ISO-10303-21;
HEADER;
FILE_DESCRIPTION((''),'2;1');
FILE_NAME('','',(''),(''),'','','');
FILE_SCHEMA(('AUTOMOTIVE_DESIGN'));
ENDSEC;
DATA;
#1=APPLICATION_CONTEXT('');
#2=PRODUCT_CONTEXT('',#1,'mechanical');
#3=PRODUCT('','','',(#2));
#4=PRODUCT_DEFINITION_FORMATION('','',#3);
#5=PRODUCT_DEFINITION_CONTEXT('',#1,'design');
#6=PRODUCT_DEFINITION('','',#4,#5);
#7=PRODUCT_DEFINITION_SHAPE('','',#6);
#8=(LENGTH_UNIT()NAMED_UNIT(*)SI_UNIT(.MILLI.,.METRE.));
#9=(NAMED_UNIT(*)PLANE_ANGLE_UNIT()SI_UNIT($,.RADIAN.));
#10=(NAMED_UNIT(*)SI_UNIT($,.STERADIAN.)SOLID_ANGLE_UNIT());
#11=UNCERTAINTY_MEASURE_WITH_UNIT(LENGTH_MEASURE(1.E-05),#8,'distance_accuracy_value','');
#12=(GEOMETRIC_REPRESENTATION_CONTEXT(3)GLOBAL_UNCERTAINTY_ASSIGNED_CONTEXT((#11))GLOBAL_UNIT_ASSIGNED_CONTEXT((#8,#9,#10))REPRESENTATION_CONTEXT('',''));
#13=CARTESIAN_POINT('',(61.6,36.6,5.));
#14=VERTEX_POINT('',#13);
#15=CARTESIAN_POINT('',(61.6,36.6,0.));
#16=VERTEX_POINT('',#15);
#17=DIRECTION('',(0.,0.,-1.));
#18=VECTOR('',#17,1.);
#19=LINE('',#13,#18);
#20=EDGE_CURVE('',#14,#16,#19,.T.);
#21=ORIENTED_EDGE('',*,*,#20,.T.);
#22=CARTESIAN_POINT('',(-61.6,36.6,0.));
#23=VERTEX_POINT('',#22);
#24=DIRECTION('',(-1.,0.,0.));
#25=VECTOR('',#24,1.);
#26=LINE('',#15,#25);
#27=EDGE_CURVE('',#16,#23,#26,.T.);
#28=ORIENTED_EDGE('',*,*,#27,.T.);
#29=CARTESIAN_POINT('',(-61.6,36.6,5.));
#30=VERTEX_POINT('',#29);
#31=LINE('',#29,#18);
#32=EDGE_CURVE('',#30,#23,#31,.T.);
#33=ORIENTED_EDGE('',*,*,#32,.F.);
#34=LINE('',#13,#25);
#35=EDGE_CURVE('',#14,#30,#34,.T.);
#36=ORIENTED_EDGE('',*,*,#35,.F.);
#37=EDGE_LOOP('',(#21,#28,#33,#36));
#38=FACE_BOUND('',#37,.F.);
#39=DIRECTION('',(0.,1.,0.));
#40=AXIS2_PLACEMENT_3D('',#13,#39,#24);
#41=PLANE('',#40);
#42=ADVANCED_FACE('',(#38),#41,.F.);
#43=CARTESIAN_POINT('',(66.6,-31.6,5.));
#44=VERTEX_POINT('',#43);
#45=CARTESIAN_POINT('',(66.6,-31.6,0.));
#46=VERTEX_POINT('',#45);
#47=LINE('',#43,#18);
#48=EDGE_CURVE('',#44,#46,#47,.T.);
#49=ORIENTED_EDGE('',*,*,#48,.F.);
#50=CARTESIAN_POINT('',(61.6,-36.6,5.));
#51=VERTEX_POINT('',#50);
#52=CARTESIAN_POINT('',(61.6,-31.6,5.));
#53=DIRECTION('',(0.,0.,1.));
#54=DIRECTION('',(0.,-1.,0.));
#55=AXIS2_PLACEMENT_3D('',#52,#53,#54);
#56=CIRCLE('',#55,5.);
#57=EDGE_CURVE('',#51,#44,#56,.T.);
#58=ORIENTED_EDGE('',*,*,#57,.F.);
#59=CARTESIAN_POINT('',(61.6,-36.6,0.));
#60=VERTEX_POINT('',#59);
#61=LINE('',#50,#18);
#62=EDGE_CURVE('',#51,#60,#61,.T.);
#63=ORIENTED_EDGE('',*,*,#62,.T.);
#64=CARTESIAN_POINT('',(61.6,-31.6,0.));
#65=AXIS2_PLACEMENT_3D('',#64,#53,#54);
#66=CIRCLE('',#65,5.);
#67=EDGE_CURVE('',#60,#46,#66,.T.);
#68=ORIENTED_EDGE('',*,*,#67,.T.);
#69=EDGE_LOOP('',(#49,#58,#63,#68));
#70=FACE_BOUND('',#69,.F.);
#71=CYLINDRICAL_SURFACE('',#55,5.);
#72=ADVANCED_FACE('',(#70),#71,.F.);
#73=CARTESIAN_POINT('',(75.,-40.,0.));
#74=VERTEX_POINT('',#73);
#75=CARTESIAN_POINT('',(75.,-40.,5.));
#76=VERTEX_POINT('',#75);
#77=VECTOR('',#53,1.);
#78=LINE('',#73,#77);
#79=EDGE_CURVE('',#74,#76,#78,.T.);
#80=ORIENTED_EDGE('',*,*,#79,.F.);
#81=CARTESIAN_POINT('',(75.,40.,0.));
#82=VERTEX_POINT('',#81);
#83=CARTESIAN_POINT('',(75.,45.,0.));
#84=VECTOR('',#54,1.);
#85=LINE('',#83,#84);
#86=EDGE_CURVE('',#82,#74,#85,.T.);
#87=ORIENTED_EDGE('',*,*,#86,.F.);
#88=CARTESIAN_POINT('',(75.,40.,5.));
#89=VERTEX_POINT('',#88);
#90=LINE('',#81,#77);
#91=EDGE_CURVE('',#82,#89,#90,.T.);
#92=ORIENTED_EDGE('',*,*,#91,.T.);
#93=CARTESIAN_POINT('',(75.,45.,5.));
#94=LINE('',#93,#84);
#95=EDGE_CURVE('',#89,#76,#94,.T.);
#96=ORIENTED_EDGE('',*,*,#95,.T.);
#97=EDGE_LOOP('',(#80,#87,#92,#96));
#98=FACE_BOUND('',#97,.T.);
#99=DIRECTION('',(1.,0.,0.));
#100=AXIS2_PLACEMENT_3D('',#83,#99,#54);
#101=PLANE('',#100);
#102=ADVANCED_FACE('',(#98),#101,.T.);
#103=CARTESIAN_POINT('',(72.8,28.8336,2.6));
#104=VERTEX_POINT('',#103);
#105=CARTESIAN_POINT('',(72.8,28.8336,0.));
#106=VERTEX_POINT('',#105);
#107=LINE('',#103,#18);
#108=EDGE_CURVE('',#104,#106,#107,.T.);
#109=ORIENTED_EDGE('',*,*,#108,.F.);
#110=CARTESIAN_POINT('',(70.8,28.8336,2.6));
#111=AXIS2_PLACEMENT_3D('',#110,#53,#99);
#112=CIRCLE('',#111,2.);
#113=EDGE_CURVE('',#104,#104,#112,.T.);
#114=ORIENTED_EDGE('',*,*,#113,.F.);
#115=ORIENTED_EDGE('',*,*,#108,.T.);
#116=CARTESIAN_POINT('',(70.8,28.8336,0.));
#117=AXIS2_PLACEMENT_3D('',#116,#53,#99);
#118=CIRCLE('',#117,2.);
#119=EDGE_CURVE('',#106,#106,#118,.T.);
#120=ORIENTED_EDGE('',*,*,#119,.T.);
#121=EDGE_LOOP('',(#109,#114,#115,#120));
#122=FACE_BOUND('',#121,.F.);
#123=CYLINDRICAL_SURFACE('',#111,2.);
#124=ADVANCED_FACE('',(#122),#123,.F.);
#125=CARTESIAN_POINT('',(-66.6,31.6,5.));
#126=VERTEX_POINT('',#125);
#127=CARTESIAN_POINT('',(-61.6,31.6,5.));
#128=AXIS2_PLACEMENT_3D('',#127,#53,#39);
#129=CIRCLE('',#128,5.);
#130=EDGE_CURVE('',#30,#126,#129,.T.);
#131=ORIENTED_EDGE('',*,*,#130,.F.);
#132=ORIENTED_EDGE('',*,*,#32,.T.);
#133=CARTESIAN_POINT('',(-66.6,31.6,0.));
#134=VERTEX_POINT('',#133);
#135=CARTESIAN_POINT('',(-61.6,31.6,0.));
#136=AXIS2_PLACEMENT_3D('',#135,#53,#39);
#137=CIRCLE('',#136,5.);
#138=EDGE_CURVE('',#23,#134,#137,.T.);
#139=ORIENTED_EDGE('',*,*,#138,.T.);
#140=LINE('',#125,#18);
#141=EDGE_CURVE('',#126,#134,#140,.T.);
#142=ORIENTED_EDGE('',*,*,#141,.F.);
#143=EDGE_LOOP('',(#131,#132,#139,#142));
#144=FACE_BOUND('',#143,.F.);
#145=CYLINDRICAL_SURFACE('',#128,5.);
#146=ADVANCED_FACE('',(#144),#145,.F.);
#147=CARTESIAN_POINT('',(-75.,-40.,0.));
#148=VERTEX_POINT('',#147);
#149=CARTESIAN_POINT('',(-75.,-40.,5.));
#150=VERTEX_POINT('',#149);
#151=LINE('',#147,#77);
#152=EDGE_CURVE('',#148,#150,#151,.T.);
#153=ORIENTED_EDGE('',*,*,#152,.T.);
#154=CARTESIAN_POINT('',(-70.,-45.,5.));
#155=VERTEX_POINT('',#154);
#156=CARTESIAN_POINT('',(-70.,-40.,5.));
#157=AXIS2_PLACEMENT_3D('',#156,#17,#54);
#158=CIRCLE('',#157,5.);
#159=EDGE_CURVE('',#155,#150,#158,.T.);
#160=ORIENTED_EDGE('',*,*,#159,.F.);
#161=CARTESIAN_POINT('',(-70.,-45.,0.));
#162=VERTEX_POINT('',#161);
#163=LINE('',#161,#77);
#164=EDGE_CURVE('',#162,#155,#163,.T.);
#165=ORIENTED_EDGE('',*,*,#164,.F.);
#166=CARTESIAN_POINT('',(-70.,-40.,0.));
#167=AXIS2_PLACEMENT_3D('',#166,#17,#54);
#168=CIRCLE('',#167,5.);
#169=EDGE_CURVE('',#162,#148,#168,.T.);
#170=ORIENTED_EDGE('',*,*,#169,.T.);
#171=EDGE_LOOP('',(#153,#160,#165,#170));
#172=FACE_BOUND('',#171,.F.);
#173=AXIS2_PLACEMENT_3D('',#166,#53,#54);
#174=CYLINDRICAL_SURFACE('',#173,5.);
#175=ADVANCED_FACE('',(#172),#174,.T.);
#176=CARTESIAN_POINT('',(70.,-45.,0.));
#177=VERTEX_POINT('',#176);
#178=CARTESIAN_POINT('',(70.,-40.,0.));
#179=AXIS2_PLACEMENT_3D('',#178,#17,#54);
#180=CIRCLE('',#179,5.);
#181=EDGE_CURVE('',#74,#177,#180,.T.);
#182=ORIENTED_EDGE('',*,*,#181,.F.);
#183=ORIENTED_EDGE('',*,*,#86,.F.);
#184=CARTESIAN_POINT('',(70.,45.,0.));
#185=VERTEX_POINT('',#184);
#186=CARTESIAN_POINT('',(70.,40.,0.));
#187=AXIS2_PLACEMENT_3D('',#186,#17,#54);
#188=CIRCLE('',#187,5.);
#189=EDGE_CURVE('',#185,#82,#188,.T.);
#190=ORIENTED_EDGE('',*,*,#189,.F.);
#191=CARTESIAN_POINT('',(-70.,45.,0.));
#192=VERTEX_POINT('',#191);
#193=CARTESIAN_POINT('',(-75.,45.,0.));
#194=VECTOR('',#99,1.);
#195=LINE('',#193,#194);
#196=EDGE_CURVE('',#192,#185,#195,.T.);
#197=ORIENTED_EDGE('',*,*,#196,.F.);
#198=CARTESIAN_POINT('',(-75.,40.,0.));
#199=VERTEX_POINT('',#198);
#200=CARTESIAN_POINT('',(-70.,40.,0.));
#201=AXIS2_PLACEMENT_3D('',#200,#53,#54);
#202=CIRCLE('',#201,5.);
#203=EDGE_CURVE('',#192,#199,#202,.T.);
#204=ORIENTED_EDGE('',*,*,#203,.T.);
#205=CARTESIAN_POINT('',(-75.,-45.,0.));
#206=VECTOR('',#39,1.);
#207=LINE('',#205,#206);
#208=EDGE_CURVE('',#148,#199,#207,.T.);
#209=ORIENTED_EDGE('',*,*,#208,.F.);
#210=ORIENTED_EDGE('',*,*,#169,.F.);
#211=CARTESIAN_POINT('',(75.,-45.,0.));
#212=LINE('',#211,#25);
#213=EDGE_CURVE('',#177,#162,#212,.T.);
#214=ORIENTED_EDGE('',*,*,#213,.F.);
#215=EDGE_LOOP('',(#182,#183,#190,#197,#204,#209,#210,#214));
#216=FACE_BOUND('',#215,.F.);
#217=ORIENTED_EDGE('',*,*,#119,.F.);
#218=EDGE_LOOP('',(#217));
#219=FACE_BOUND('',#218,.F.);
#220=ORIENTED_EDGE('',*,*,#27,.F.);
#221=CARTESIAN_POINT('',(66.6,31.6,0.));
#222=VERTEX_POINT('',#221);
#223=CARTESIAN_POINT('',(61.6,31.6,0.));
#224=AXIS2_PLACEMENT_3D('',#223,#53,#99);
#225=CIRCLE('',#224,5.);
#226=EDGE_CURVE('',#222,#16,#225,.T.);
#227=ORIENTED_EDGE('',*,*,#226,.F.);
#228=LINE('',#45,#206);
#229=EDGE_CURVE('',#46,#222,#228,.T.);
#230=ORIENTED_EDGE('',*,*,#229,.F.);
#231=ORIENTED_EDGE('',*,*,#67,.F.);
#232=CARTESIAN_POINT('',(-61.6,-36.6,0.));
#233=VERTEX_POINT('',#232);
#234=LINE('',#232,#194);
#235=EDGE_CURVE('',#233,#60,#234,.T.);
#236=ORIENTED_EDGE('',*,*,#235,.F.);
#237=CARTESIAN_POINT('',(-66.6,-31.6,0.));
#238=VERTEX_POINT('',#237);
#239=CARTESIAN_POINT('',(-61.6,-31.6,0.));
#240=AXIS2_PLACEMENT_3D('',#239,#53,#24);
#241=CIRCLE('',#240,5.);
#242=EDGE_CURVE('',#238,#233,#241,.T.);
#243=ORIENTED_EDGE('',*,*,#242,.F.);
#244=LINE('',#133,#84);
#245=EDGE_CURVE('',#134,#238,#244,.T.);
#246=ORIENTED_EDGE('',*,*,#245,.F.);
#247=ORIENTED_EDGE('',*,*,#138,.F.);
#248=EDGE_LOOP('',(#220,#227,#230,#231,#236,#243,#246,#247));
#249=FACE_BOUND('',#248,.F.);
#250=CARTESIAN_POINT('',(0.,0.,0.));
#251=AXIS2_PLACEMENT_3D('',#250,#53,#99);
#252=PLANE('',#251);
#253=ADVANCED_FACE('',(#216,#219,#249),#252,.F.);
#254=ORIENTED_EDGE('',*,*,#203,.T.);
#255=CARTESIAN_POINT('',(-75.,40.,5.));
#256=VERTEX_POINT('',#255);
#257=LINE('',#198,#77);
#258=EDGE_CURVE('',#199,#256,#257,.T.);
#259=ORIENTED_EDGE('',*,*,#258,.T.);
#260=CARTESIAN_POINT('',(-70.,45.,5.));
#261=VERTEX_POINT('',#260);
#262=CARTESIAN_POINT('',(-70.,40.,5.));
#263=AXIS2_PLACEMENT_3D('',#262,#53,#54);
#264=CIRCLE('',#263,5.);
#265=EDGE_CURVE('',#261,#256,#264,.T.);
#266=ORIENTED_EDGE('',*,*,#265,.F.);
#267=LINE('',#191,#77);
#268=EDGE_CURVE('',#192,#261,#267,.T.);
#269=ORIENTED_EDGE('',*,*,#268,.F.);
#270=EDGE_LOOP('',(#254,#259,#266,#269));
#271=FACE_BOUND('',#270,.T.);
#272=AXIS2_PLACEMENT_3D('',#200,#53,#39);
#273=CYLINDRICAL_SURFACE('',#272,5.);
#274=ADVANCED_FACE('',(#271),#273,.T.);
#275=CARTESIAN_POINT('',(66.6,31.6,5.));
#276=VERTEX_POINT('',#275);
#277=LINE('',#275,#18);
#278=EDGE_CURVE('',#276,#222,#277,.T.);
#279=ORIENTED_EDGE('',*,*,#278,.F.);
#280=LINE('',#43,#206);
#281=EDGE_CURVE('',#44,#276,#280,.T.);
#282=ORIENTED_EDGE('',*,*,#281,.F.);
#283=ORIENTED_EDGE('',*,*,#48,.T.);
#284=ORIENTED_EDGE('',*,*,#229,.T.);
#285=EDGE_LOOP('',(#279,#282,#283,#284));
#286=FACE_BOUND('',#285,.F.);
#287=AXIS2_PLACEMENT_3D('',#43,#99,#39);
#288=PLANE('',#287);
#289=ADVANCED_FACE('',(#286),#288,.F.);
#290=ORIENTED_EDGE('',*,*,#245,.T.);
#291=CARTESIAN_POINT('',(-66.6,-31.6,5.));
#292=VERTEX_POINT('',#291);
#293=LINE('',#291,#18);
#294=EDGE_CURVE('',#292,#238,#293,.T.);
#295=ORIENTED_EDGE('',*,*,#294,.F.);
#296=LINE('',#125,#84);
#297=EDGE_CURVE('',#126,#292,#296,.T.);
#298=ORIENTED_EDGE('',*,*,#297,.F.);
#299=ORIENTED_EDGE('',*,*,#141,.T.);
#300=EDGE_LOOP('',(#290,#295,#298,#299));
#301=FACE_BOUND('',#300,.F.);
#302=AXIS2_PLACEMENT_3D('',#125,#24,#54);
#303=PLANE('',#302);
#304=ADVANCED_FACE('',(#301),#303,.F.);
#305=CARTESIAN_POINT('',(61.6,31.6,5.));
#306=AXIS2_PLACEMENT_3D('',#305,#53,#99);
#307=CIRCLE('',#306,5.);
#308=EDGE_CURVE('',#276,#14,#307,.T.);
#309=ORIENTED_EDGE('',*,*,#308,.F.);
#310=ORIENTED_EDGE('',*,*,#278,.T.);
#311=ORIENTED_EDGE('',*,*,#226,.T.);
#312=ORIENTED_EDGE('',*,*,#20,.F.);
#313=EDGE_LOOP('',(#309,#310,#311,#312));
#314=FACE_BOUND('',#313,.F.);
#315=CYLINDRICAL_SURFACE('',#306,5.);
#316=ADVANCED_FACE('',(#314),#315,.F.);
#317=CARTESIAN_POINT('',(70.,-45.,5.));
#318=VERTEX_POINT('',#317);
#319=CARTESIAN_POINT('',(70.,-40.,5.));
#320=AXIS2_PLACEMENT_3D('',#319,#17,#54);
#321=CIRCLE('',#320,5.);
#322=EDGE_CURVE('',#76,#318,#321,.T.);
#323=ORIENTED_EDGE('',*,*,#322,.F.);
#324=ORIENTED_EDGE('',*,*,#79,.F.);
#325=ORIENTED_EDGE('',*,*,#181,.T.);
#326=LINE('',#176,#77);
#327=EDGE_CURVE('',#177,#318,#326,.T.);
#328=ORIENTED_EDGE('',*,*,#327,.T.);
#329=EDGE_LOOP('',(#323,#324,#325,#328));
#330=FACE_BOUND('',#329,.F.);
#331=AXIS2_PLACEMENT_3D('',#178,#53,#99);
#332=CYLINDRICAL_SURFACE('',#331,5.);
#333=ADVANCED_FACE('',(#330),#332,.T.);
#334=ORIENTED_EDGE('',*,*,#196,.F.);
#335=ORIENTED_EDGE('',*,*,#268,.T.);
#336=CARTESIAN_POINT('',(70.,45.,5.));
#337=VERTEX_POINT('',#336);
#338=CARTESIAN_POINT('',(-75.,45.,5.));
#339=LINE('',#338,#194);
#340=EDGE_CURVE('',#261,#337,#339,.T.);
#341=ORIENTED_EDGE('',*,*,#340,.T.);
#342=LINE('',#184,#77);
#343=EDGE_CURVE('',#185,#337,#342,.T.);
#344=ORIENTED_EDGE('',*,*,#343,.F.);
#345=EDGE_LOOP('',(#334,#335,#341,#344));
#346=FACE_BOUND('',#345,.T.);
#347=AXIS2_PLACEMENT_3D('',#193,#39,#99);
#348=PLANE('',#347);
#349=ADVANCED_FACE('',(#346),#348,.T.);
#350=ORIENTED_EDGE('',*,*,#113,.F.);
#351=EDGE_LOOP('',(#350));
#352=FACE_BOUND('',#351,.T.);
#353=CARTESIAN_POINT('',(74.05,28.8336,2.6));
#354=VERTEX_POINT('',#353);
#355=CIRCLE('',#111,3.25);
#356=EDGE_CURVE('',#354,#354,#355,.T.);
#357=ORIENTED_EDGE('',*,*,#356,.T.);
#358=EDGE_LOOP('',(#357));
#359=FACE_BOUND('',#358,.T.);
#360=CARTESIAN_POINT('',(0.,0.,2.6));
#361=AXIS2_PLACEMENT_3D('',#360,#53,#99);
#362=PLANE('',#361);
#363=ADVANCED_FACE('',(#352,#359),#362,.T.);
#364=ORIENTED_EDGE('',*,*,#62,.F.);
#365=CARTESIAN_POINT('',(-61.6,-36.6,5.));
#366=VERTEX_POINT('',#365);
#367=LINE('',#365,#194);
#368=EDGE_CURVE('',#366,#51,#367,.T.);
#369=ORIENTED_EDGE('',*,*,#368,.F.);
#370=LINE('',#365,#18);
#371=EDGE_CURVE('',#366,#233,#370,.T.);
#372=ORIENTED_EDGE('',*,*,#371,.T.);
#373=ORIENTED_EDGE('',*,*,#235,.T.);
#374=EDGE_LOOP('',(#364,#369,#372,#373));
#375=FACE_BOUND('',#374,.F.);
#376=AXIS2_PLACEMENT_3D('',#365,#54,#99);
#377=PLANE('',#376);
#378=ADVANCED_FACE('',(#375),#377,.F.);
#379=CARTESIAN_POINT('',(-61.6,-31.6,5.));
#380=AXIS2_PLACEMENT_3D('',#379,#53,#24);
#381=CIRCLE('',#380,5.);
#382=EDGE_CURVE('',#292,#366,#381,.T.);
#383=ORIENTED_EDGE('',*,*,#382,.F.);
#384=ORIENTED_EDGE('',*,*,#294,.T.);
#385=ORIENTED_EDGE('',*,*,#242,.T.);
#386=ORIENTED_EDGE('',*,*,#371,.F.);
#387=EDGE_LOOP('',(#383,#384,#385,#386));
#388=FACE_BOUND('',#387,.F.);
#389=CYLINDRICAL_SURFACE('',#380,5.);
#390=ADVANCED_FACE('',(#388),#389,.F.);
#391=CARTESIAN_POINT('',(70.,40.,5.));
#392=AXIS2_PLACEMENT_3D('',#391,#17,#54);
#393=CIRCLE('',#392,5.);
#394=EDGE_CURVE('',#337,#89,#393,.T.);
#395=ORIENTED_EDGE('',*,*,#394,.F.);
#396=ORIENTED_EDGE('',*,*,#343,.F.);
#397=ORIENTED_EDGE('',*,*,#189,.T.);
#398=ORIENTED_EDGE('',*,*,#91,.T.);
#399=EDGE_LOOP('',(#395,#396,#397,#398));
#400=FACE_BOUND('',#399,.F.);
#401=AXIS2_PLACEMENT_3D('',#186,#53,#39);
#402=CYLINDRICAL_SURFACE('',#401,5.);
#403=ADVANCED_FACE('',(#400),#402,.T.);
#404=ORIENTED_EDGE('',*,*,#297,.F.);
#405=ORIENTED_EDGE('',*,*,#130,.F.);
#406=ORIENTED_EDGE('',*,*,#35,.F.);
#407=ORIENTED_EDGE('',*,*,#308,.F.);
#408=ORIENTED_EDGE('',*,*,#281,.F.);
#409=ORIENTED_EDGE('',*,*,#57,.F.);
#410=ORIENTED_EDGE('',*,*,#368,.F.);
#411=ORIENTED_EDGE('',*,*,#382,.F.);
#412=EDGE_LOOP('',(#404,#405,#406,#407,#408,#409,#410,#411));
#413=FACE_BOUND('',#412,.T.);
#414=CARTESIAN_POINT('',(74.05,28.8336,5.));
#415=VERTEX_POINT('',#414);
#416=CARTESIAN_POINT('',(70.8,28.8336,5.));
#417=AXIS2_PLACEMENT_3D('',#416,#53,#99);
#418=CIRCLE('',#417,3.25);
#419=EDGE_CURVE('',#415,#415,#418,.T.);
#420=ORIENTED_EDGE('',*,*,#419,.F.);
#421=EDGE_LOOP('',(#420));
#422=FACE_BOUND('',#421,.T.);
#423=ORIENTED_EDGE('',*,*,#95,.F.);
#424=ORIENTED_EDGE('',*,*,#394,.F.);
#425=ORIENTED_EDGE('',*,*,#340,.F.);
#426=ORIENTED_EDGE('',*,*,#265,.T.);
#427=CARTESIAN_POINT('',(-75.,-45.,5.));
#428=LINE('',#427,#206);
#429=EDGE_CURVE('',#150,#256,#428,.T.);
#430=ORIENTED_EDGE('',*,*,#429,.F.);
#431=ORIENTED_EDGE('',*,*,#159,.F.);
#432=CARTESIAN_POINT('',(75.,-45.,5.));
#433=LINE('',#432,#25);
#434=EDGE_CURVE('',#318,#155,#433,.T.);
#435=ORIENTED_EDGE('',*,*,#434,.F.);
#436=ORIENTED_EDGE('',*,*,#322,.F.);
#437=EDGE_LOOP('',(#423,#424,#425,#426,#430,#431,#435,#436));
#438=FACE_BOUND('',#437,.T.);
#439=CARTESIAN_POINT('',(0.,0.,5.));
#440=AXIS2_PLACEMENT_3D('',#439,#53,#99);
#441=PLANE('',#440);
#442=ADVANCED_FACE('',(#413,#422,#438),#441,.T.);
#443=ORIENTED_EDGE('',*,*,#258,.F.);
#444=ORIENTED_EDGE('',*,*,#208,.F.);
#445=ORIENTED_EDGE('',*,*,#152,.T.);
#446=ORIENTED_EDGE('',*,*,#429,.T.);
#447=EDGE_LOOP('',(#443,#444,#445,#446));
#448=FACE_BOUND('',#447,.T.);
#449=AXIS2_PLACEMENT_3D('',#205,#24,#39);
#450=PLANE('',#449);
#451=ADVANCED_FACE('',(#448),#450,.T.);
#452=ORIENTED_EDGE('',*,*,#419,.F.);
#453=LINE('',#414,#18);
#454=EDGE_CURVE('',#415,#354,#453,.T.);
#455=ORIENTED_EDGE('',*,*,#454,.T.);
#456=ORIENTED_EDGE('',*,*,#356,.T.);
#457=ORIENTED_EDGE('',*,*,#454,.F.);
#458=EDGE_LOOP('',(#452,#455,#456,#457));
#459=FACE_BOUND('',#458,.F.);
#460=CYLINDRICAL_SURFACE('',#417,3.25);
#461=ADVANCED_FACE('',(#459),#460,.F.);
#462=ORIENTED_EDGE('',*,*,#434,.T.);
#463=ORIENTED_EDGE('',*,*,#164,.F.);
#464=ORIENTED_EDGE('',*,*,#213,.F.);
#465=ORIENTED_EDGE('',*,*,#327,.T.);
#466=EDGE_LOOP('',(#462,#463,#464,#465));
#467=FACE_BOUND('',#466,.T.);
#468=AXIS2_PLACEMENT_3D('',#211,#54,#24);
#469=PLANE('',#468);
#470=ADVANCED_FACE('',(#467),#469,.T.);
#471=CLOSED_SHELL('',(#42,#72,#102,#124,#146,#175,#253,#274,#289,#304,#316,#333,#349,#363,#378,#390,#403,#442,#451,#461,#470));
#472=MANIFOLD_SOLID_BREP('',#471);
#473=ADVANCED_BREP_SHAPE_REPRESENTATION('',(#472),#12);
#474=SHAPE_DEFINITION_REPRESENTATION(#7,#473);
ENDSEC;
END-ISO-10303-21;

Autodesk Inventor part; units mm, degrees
ref_plane "YZ Plane" through (0, 0, 0) normal (1, 0, 0) x (0, 1, 0)
ref_plane "XZ Plane" through (0, 0, 0) normal (0, 1, 0) x (-1, 0, 0)
ref_plane "XY Plane" through (0, 0, 0) normal (0, 0, 1) x (1, 0, 0)
sketch "Sketch1" plane through (0, 0, 0) normal (0, 0, 1) x (1, 0, 0)
  line L0 (-75, 45) -> (75, 45)
  line L1 (75, 45) -> (75, -45)
  line L2 (75, -45) -> (-75, -45)
  line L3 (-75, -45) -> (-75, 45)
  line L4 (-75, 45) -> (75, -45) construction
  line L5 (75, 45) -> (-75, -45) construction
  point P0 (0, 0)
  dimension "d0" = 150
  dimension "d1" = 90
extrude "Extrusion1" add sketch "Sketch1" along normal blind 5
fillet "Fillet1" radius 5 4 edges at (75, 45, 2.5) (75, -45, 2.5) (-75, -45, 2.5) (-75, 45, 2.5)
sketch "Sketch2" plane through (0, 0, 5) normal (0, 0, 1) x (1, 0, 0)
  line L0 (-61.6, -36.6) -> (61.6, -36.6)
  line L1 (66.6, -31.6) -> (66.6, 31.6)
  line L2 (61.6, 36.6) -> (-61.6, 36.6)
  line L3 (-66.6, 31.6) -> (-66.6, -31.6)
  line L4 (-66.6, -36.6) -> (66.6, 36.6) construction
  line L5 (66.6, -36.6) -> (-66.6, 36.6) construction
  arc A0 (-61.6, 36.6) -> (-66.6, 31.6) centre (-61.6, 31.6) ccw
  arc A1 (-66.6, -31.6) -> (-61.6, -36.6) centre (-61.6, -31.6) ccw
  arc A2 (61.6, -36.6) -> (66.6, -31.6) centre (61.6, -31.6) ccw
  arc A3 (66.6, 31.6) -> (61.6, 36.6) centre (61.6, 31.6) ccw
  point P0 (0, 0)
  dimension "d5" = 133.2
  dimension "d6" = 73.2
  dimension "d9" = 5
extrude "Extrusion2" cut sketch "Sketch2" against normal blind 5
sketch "Sketch3" plane through (0, 0, 5) normal (0, 0, 1) x (1, 0, 0)
  line L0 (66.6, 31.6) -> (66.6, -31.6) projected
  line L1 (66.6, 0) -> (75, 0) construction
  line L2 (75, -40) -> (75, 40) projected
  line L3 (70.8, 0) -> (70.8, 28.8336) construction
  circle A0 centre (70.8, 28.8336) radius 3.25
  point P0 (0, 0)
  dimension "d10" = 6.5
extrude "Extrusion3" cut sketch "Sketch3" against normal blind 2.4
sketch "Sketch4" plane through (70.8, 28.8336, 2.6) normal (0, 0, 1) x (1, 0, 0)
  circle A0 centre (0, 0) radius 2
  point P0 (-70.8, -28.8336)
  dimension "d13" = 4
extrude "Extrusion4" cut sketch "Sketch4" against normal blind 15
sketch "Sketch7" plane through (0, 0, 3) normal (0, 0, 1) x (1, 0, 0)
  line L0 (-66.6, -31.6) -> (-66.6, 31.6) projected
  line L1 (-66.6, 0.4) -> (-51.6, 0.4) construction
  line L2 (61.6, -36.6) -> (-61.6, -36.6) projected
  line L3 (-51.6, -36.6) -> (-51.6, -19.6) construction
  line L4 (-51.6, -36.6) -> (-34.6, -36.6) construction
  line L5 (-66.6, 19.9067) -> (-31.6, 19.9067) construction
  line L6 (-31.6, -17.6) -> (-31.6, 19.4) construction
  line L7 (-31.6, -36.6) -> (5.4, -36.6) construction
  line L8 (-49.6, -19.6) -> (-33.6, -19.6)
  line L9 (-31.6, -19.6) -> (-31.6, 17.4)
  line L10 (-33.6, 19.4) -> (-49.6, 19.4)
  line L11 (-51.6, 17.4) -> (-51.6, -17.6)
  arc A0 (-49.6, 19.4) -> (-51.6, 17.4) centre (-49.6, 17.4) ccw
  arc A1 (-31.6, 17.4) -> (-33.6, 19.4) centre (-33.6, 17.4) ccw
  arc A2 (-33.6, -19.6) -> (-31.6, -17.6) centre (-33.6, -17.6) ccw
  arc A3 (-51.6, -17.6) -> (-49.6, -19.6) centre (-49.6, -17.6) ccw
  point P0 (0, 0)
  point P1 (-67, -23.834)
  point P2 (-31.6, -17.6)
  dimension "d30" = 17
  dimension "d31" = 90
  dimension "d34" = 56
  dimension "d35" = 90
  dimension "d36" = 15
  dimension "d37" = 35
  dimension "d38" = 2
extrude "Extrusion6" [suppressed]
properties part number "Frame"
